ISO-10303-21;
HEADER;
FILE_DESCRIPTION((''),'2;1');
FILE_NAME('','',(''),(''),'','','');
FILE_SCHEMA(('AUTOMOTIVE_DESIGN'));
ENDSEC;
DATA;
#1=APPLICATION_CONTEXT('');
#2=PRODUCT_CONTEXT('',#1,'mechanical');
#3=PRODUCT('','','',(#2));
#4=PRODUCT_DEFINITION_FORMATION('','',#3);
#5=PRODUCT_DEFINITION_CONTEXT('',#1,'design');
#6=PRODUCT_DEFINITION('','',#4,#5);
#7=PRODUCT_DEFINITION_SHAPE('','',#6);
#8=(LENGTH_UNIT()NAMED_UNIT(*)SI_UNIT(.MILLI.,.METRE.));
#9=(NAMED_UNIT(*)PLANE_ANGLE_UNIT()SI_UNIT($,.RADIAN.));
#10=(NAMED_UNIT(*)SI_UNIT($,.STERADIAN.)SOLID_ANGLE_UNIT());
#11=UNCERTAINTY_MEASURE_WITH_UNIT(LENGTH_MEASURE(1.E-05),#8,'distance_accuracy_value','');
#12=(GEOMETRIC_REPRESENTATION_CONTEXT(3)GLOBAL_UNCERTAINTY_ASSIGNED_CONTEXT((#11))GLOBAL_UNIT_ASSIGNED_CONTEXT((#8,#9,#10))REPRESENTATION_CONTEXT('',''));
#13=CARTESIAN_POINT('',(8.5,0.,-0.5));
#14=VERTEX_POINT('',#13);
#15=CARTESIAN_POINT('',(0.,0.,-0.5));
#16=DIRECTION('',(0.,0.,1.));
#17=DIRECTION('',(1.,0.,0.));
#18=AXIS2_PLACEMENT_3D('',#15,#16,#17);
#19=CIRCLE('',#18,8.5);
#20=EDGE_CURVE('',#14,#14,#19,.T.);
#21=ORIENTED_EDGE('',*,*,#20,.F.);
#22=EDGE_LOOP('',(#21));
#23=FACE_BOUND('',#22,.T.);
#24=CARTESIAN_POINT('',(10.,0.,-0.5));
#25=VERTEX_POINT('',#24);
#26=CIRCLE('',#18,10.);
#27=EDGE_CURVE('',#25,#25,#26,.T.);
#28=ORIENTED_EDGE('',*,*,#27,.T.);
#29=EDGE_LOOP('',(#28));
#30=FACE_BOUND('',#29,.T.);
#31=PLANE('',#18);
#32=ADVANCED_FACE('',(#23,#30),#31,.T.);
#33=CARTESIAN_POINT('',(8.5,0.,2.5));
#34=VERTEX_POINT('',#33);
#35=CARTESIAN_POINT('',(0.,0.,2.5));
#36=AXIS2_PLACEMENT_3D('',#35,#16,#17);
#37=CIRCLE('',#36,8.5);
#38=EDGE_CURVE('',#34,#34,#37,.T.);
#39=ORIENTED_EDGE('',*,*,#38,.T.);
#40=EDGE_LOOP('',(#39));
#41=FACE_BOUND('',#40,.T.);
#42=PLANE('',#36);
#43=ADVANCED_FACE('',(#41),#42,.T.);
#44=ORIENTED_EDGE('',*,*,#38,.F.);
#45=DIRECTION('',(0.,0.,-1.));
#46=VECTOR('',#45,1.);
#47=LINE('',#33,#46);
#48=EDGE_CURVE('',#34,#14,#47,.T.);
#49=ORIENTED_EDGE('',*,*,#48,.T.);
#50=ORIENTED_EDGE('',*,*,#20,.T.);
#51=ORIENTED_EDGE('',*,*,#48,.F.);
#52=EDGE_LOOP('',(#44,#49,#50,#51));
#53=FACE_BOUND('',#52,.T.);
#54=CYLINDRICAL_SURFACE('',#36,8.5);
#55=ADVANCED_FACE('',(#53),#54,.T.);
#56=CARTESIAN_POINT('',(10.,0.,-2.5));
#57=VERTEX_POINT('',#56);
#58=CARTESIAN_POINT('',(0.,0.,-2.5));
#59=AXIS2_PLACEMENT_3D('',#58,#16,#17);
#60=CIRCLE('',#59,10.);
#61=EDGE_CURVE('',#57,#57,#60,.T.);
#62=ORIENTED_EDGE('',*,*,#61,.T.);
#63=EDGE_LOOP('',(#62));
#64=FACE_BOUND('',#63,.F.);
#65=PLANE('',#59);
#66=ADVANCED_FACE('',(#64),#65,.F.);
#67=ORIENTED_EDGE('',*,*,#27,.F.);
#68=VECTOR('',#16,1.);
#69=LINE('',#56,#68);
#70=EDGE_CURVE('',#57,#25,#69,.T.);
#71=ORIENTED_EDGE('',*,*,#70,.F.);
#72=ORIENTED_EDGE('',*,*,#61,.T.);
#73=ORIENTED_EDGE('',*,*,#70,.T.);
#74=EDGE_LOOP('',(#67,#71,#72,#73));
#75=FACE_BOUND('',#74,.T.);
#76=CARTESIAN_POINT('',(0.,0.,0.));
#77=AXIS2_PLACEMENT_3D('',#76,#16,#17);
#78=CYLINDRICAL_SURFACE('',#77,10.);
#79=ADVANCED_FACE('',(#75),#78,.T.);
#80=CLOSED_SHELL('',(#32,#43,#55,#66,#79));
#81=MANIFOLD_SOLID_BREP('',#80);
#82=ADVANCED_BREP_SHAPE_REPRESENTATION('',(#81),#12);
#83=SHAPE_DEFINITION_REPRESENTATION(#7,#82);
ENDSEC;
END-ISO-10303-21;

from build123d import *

# Parameters (mm, degrees)
F0_R     = 10
F1_DEPTH = 2.5
F2_R     = 10
F2_R_2   = 8.5
F3_DEPTH = 3


with BuildPart() as f1:
    # F0 (on Top) → F1 (new body, symmetric)
    with BuildSketch(Plane.XY):
        Circle(F0_R)
    extrude(amount=F1_DEPTH, both=True)

    # F2 (on face) → F3 (cut)
    with BuildSketch(Plane.XY.offset(2.5)):
        Circle(F2_R)
        Circle(F2_R_2, mode=Mode.SUBTRACT)
    extrude(amount=-F3_DEPTH, mode=Mode.SUBTRACT)


solid = f1.part
